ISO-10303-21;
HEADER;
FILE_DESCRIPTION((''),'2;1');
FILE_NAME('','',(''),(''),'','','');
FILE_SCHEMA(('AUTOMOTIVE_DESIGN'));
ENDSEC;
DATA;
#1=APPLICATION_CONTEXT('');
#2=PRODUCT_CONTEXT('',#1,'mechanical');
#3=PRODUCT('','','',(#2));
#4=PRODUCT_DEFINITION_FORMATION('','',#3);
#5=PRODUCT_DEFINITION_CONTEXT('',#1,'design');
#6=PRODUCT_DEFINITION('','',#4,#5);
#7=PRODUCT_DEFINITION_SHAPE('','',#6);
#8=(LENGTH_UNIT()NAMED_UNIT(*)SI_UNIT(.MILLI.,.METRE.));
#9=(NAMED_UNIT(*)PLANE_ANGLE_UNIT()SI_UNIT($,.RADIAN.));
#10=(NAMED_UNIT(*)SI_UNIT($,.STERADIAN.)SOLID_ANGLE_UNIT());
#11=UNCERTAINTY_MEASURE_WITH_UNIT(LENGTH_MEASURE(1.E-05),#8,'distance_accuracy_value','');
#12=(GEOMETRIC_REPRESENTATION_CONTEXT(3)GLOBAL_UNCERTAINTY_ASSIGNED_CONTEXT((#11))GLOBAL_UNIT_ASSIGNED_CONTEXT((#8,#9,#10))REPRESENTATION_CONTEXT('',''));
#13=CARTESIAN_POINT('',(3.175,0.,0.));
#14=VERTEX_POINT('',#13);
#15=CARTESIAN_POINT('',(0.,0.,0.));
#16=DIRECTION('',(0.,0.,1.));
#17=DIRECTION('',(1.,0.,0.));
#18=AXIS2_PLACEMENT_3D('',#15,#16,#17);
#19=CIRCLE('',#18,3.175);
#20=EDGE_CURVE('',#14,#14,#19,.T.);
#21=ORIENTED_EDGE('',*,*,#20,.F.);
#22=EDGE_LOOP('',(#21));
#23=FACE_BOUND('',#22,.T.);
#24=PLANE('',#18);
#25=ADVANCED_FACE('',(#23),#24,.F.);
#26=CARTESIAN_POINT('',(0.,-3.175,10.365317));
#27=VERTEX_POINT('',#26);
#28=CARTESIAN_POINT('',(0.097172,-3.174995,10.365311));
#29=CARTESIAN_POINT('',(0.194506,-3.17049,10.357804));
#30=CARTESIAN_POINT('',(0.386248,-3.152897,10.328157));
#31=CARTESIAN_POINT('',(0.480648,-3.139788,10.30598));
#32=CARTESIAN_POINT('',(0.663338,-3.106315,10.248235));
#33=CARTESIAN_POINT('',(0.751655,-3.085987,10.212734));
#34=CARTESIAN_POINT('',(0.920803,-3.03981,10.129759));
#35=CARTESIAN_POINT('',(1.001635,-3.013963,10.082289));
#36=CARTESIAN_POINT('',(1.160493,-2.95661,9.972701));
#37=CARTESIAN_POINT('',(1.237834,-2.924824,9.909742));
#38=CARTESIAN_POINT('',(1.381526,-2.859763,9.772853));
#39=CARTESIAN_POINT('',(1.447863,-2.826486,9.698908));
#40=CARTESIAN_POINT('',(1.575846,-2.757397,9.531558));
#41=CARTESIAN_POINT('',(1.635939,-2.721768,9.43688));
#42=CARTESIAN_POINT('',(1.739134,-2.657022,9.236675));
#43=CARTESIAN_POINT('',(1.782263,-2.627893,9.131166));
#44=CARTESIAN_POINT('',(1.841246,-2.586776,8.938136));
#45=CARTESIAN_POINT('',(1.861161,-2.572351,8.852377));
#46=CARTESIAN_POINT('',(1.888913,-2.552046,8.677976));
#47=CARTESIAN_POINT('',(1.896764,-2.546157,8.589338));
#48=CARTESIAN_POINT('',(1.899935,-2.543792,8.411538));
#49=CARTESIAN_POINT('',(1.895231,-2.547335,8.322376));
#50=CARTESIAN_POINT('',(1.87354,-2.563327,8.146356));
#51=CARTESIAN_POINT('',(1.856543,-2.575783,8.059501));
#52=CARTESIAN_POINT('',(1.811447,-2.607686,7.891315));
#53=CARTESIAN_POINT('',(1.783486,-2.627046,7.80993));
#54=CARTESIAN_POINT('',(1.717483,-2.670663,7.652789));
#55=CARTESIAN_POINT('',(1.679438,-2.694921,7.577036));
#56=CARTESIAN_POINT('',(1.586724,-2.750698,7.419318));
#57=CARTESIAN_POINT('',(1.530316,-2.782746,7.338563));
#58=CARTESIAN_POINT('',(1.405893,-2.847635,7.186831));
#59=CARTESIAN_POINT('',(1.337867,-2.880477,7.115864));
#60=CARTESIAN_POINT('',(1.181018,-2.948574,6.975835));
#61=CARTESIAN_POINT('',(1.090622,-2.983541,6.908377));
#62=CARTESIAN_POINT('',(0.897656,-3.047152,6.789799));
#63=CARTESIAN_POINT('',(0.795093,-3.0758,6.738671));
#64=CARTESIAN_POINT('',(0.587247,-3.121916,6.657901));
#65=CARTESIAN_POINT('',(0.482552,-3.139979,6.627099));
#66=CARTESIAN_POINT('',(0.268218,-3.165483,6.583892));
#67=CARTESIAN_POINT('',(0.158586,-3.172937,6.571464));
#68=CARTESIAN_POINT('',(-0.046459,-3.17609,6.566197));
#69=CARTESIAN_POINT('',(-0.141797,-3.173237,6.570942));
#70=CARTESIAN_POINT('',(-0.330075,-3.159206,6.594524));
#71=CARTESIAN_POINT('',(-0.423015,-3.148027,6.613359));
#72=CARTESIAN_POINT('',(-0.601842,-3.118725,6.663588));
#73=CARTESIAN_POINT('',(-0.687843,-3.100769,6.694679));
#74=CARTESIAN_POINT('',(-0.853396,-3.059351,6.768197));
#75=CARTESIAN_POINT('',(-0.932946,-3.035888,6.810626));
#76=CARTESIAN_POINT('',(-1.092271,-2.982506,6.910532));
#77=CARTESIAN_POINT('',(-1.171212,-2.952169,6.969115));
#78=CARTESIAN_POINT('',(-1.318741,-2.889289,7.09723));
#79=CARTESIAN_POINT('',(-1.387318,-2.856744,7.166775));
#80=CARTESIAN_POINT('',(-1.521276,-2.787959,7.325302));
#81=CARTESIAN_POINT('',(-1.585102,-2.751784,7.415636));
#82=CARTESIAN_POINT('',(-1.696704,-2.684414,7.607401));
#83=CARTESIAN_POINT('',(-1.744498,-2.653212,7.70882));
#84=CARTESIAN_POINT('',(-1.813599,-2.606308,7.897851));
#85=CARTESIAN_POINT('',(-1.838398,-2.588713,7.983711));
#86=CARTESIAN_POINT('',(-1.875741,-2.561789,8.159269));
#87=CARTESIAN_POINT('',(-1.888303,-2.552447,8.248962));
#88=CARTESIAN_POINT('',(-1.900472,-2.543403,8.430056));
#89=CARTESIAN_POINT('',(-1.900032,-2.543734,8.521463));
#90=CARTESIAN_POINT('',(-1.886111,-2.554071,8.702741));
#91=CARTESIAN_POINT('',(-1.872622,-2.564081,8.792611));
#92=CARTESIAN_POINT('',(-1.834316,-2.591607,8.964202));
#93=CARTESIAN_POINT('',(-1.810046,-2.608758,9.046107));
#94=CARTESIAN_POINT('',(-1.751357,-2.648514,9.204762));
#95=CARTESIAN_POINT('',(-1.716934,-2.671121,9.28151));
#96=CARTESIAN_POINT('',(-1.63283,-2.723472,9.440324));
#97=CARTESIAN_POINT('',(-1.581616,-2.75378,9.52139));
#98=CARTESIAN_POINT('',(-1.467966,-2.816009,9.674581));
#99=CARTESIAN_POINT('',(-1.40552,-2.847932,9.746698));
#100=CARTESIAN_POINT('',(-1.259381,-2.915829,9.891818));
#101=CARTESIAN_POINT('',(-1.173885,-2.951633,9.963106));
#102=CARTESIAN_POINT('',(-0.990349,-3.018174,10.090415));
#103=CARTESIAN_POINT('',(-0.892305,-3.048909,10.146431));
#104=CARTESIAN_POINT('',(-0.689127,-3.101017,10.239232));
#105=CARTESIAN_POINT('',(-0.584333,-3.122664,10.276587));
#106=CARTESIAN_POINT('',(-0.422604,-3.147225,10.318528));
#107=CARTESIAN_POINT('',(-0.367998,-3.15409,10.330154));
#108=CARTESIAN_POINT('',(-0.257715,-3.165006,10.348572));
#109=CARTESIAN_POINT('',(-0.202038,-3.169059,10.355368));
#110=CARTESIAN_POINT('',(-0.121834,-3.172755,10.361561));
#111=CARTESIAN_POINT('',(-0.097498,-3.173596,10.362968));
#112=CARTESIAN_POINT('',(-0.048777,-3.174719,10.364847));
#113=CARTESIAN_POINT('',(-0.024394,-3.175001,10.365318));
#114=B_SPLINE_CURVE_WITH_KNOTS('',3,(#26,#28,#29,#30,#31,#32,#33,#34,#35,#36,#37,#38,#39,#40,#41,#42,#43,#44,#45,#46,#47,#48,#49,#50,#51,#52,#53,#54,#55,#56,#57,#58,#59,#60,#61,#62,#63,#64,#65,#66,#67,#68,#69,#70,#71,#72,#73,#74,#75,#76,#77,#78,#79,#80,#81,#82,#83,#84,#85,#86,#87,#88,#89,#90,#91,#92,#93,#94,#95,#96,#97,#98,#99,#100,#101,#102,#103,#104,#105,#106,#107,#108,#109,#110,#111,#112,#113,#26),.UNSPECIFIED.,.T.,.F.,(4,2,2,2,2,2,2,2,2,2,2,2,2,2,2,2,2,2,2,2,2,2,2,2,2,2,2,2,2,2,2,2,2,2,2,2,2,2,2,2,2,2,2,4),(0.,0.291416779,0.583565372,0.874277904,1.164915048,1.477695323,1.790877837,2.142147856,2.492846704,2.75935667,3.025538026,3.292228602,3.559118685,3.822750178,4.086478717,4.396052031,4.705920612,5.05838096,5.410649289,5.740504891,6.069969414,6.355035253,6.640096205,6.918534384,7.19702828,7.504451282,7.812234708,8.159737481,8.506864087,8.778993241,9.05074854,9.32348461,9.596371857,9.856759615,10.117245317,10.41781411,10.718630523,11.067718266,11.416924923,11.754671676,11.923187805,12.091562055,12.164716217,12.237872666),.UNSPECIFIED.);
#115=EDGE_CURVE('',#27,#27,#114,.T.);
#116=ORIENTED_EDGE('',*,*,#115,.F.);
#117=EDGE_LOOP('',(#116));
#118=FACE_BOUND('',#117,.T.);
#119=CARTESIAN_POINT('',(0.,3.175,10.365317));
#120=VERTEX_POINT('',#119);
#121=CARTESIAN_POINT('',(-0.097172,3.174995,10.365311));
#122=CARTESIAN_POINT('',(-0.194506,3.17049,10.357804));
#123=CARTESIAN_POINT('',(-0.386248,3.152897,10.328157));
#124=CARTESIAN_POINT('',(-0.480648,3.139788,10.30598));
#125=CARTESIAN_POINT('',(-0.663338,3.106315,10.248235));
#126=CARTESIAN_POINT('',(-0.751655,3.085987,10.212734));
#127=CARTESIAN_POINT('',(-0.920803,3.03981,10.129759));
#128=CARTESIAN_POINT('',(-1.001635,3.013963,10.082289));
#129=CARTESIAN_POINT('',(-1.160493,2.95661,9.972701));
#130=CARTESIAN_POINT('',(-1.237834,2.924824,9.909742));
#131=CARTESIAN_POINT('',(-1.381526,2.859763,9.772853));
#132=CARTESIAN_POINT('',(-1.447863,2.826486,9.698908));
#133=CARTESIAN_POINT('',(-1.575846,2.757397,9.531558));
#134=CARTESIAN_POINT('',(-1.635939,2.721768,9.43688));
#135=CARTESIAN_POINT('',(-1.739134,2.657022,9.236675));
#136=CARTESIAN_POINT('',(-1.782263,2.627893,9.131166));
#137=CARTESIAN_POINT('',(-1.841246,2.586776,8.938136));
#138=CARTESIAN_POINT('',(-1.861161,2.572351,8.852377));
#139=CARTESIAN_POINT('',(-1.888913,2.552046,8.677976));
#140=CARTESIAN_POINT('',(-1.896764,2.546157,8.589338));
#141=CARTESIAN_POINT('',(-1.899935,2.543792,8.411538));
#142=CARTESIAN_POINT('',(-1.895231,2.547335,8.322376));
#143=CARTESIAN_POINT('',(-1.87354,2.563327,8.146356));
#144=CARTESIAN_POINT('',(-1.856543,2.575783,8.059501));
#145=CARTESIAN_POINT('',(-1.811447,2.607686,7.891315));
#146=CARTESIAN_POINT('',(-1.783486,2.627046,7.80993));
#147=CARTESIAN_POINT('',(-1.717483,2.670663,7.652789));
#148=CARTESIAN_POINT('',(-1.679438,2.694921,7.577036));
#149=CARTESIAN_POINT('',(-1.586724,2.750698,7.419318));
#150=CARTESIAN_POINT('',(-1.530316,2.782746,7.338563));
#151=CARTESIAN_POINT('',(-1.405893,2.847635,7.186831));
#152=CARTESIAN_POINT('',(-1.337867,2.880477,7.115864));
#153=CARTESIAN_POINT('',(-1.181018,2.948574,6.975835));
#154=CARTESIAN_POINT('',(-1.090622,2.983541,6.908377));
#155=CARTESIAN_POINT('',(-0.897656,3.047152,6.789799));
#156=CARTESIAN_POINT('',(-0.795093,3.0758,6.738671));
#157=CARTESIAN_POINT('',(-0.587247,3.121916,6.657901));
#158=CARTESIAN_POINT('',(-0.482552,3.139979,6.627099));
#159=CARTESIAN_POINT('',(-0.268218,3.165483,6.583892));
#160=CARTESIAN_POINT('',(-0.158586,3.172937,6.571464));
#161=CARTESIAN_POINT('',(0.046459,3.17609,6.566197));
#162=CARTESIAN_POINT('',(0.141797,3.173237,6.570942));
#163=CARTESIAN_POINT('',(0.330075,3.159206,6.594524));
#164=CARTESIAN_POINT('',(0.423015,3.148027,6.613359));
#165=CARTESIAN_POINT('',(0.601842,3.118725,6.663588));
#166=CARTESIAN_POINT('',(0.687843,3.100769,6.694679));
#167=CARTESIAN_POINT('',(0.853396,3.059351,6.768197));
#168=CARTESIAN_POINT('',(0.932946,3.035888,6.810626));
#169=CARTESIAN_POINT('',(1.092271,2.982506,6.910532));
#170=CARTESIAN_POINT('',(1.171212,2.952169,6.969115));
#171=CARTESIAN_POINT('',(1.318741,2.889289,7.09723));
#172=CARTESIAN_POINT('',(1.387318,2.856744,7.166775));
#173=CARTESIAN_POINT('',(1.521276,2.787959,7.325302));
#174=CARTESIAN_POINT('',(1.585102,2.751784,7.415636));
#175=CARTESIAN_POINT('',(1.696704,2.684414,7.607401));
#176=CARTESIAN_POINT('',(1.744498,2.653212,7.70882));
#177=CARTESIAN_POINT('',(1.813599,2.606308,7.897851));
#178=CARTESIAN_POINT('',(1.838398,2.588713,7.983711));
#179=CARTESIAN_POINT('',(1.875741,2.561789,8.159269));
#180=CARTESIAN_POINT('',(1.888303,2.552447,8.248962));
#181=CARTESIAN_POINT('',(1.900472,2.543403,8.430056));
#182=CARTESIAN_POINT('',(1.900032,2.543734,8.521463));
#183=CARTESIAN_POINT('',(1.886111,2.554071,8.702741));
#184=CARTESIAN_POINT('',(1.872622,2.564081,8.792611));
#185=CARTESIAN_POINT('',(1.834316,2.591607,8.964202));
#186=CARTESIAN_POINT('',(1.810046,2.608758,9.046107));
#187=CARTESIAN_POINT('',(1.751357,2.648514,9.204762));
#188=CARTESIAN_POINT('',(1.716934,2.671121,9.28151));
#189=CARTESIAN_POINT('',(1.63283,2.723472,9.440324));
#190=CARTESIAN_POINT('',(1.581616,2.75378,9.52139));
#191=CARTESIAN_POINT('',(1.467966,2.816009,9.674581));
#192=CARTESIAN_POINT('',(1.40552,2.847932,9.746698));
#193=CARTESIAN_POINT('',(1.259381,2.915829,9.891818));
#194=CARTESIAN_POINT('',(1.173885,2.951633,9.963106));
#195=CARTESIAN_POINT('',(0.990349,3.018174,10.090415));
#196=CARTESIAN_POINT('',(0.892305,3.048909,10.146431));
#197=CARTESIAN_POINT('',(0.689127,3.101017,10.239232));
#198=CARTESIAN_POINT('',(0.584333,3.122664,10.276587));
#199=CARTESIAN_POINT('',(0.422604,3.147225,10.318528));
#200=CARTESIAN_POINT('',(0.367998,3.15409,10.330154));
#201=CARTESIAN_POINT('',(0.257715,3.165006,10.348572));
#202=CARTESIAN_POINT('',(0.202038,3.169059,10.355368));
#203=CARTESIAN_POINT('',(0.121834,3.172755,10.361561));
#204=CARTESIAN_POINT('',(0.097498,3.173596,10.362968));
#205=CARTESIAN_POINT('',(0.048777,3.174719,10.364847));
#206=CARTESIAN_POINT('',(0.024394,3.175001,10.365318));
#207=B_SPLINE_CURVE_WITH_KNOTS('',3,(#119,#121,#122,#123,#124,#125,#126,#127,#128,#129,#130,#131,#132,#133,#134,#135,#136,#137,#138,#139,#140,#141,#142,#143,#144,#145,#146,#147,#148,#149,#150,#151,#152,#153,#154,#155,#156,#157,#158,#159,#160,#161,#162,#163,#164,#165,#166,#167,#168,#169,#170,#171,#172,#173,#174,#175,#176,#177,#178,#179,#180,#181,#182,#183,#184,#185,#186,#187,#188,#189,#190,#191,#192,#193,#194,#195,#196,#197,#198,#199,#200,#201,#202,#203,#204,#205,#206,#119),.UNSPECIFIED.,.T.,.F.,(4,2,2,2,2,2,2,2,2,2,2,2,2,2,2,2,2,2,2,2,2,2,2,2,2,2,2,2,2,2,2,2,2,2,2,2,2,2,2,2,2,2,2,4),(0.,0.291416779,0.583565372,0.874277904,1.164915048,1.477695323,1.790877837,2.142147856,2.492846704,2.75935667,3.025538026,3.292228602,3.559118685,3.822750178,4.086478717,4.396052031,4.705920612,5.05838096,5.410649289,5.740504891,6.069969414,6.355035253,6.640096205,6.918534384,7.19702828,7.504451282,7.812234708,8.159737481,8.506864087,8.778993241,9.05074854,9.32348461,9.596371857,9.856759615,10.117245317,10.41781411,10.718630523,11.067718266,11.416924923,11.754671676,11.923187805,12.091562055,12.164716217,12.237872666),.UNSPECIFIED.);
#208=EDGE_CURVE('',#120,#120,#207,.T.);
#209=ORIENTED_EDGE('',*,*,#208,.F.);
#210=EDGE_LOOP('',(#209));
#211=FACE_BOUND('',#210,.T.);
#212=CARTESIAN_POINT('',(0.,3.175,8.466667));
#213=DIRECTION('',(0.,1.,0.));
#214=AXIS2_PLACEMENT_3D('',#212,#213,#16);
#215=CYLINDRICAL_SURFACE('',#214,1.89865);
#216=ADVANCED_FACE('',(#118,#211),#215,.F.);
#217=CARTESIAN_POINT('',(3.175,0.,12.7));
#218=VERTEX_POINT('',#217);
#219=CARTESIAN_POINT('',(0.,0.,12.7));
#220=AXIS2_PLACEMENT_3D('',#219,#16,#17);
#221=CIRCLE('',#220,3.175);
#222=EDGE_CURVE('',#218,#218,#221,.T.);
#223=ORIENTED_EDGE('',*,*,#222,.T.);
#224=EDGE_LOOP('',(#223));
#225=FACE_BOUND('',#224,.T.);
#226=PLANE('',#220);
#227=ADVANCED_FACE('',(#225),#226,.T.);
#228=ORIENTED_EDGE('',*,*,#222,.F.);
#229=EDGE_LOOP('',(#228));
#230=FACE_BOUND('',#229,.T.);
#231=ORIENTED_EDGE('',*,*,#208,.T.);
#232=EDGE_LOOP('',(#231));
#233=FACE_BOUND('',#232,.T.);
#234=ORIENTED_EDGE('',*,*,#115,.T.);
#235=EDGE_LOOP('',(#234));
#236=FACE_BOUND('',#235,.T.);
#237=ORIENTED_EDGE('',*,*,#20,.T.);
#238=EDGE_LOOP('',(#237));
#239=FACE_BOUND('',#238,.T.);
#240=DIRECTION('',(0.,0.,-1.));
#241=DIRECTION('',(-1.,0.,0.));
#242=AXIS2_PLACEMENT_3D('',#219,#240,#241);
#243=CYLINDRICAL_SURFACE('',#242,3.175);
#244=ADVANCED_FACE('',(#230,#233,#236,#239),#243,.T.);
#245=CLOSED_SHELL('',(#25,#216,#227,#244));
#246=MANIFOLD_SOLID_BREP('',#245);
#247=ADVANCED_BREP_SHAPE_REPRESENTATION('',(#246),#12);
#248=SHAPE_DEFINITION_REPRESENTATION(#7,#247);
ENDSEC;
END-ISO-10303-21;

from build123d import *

# Parameters (mm, degrees)
SKETCH1_R              = 3.175
BOSS_EXTRUDE1_DEPTH    = 12.7
F_10_24_TAPPED_HOLE2_D = 3.7973


with BuildPart() as part:
    # Sketch1 → Boss-Extrude1 (new body)
    with BuildSketch(Plane.XY):
        Circle(SKETCH1_R)
    extrude(amount=BOSS_EXTRUDE1_DEPTH)

    # #10-24 Tapped Hole2 (through all)
    with Locations(Plane(origin=(0, 3.175, 8.466666582), x_dir=(1, 0, 0), z_dir=(0, 1, 0))):
        with Locations((0, 0)):
            Hole(F_10_24_TAPPED_HOLE2_D / 2)


solid = part.part
